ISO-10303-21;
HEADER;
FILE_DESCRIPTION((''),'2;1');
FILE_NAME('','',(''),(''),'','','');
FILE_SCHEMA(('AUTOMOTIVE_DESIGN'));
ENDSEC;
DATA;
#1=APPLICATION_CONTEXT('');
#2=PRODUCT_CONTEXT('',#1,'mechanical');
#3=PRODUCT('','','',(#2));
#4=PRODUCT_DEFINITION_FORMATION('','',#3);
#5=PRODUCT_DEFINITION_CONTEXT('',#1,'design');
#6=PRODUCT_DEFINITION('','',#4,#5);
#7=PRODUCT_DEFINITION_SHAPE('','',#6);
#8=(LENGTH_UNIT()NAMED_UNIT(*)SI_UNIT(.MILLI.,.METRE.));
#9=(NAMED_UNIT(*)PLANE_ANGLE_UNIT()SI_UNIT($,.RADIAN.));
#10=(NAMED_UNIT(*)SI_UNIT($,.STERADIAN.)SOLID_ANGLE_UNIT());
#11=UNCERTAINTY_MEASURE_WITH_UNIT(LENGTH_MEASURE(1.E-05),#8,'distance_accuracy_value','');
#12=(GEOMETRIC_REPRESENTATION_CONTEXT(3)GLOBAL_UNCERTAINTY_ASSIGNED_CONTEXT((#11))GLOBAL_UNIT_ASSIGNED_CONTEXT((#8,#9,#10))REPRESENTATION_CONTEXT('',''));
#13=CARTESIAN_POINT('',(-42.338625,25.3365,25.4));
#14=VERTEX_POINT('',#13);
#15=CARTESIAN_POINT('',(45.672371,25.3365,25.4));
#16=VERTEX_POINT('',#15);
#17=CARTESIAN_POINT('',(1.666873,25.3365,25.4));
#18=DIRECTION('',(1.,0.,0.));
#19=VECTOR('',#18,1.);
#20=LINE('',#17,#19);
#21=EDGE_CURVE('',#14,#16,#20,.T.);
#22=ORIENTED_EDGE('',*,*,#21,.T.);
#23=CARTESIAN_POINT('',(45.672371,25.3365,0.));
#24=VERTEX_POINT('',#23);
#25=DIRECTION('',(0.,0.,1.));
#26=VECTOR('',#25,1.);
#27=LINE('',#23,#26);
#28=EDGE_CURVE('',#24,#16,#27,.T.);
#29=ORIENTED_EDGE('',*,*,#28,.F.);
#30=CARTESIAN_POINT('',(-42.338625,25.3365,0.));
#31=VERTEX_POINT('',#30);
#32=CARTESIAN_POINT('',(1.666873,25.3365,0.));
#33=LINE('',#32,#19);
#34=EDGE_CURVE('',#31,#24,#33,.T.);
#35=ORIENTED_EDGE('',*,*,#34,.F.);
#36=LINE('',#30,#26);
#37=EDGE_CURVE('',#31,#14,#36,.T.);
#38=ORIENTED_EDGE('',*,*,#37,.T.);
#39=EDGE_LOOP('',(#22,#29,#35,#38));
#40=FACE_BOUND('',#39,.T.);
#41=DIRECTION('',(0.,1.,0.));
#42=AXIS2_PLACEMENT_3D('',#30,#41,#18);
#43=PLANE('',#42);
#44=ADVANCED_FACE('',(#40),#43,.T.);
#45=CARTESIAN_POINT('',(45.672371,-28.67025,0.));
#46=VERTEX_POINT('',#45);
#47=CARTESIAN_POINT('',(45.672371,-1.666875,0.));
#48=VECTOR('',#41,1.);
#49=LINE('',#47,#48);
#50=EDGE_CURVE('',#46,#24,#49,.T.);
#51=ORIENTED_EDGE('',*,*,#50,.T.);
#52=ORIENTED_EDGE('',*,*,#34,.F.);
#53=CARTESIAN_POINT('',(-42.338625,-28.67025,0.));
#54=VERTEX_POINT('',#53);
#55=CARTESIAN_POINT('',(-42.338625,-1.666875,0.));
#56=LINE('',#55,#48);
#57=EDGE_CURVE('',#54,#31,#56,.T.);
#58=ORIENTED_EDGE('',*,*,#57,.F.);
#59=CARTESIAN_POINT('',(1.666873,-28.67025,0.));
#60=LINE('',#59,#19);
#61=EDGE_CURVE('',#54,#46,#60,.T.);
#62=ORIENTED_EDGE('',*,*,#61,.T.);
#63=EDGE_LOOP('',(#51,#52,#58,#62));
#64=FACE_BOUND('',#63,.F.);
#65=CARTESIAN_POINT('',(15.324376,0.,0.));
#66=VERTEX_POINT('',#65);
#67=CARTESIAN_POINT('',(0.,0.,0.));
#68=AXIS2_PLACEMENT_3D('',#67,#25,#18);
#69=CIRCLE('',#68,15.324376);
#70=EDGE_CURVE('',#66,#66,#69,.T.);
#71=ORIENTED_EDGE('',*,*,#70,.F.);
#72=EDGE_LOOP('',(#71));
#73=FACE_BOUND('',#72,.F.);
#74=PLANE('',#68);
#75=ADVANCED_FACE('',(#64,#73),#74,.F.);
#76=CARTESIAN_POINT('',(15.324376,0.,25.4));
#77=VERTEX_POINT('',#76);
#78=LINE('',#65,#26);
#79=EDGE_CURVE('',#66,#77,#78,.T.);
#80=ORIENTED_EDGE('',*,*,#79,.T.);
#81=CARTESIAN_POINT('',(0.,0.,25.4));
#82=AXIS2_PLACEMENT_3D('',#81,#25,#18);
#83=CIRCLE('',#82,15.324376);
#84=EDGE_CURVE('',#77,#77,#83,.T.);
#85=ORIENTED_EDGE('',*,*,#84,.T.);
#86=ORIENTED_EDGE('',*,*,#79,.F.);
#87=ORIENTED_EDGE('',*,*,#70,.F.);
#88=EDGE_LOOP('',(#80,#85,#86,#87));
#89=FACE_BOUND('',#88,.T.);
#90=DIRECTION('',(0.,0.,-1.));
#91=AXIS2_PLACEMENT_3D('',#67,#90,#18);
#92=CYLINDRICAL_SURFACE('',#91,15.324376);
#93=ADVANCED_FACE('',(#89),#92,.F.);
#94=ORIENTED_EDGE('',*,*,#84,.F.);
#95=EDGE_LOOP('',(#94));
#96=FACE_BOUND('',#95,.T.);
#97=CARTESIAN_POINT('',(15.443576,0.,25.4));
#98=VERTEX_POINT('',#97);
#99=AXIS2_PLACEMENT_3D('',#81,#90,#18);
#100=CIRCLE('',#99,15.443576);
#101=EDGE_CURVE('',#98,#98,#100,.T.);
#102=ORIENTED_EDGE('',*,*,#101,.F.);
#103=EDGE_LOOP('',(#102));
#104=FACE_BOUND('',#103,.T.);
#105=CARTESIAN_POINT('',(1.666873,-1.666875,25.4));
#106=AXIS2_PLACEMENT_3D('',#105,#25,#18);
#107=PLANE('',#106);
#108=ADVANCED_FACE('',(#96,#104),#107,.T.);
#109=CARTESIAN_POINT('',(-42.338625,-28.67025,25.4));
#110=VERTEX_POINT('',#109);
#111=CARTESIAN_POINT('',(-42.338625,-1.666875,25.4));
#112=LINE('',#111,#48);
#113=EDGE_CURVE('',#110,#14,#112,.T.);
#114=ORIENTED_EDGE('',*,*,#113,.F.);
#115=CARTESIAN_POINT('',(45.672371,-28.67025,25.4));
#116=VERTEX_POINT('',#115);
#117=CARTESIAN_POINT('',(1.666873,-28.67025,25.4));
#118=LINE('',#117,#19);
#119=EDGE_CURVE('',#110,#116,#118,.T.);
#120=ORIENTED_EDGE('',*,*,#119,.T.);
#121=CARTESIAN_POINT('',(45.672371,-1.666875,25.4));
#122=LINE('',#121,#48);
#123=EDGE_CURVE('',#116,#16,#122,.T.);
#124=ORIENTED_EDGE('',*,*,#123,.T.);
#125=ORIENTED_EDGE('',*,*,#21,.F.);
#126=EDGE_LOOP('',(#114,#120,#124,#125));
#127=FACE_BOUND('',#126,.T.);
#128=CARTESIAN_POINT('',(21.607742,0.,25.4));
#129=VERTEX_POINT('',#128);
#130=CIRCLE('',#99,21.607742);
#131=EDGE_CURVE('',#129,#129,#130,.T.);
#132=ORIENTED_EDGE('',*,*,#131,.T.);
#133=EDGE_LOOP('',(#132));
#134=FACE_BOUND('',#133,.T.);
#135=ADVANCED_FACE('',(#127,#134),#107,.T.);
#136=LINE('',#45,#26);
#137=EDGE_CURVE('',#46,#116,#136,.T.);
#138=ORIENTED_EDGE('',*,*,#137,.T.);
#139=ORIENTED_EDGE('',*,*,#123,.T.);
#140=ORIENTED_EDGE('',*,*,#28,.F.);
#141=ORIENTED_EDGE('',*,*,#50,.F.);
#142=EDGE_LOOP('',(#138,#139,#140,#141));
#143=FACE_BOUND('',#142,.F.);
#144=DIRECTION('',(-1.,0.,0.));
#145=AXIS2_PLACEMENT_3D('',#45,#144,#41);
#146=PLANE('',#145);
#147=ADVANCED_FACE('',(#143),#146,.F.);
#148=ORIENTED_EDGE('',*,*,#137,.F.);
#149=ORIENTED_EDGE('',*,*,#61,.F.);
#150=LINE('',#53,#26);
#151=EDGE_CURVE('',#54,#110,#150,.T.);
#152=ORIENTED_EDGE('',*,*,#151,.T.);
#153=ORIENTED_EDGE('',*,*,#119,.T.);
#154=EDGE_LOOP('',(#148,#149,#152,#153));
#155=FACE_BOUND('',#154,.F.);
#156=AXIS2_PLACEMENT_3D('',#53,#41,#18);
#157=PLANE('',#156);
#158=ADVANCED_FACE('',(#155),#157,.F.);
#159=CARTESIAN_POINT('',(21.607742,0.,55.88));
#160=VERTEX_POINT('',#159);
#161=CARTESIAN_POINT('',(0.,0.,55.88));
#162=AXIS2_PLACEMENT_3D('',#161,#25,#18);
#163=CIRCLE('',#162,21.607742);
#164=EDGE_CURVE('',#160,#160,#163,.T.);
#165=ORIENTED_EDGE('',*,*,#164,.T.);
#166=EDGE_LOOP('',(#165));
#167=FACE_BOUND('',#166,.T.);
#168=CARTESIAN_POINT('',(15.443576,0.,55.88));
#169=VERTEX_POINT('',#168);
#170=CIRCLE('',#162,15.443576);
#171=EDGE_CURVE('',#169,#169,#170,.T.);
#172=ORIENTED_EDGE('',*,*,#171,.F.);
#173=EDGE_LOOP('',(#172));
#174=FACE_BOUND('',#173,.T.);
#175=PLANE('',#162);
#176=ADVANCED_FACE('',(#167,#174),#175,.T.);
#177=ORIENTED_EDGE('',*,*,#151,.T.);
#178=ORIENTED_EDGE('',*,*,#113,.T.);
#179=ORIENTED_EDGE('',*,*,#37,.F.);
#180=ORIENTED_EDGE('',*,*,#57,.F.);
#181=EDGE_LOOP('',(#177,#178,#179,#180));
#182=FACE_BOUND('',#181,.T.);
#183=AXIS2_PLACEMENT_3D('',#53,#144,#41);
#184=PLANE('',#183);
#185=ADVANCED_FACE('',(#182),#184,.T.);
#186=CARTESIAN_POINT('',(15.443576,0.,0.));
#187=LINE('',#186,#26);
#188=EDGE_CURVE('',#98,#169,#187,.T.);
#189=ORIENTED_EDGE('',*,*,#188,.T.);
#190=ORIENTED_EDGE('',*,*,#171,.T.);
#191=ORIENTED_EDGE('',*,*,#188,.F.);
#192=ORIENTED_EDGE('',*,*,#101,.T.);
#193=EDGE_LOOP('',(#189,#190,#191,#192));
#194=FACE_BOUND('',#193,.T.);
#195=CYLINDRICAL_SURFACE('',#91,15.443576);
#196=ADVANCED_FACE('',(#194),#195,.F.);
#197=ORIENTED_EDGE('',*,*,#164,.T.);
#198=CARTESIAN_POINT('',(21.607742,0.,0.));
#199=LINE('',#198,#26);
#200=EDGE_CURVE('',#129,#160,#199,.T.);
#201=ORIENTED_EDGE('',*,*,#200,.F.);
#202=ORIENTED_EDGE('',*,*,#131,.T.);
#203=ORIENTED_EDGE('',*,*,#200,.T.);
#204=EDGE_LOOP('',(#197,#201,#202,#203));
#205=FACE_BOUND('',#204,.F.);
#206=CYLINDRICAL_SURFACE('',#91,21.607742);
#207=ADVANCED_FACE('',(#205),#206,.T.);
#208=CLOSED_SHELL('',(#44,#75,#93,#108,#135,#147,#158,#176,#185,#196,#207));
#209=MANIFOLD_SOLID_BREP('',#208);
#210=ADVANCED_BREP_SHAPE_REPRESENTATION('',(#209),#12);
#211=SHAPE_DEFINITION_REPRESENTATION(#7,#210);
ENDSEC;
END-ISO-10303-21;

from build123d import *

# Parameters (mm, degrees)
F0_W     = 88.010997
F0_H     = 54.00675
F0_R     = 15.324376
F1_DEPTH = 25.4
F2_R     = 21.607742
F2_R_2   = 15.443576
F3_DEPTH = 55.88


with BuildPart() as f1:
    # F0 (on Top) → F1 (new body)
    with BuildSketch(Plane.XY):
        with Locations((1.666873, -1.666875)):
            Rectangle(F0_W, F0_H)
        Circle(F0_R, mode=Mode.SUBTRACT)
    extrude(amount=F1_DEPTH)

    # F2 (on Top) → F3 (join)
    with BuildSketch(Plane.XY):
        Circle(F2_R)
        Circle(F2_R_2, mode=Mode.SUBTRACT)
    extrude(amount=F3_DEPTH)


solid = f1.part
